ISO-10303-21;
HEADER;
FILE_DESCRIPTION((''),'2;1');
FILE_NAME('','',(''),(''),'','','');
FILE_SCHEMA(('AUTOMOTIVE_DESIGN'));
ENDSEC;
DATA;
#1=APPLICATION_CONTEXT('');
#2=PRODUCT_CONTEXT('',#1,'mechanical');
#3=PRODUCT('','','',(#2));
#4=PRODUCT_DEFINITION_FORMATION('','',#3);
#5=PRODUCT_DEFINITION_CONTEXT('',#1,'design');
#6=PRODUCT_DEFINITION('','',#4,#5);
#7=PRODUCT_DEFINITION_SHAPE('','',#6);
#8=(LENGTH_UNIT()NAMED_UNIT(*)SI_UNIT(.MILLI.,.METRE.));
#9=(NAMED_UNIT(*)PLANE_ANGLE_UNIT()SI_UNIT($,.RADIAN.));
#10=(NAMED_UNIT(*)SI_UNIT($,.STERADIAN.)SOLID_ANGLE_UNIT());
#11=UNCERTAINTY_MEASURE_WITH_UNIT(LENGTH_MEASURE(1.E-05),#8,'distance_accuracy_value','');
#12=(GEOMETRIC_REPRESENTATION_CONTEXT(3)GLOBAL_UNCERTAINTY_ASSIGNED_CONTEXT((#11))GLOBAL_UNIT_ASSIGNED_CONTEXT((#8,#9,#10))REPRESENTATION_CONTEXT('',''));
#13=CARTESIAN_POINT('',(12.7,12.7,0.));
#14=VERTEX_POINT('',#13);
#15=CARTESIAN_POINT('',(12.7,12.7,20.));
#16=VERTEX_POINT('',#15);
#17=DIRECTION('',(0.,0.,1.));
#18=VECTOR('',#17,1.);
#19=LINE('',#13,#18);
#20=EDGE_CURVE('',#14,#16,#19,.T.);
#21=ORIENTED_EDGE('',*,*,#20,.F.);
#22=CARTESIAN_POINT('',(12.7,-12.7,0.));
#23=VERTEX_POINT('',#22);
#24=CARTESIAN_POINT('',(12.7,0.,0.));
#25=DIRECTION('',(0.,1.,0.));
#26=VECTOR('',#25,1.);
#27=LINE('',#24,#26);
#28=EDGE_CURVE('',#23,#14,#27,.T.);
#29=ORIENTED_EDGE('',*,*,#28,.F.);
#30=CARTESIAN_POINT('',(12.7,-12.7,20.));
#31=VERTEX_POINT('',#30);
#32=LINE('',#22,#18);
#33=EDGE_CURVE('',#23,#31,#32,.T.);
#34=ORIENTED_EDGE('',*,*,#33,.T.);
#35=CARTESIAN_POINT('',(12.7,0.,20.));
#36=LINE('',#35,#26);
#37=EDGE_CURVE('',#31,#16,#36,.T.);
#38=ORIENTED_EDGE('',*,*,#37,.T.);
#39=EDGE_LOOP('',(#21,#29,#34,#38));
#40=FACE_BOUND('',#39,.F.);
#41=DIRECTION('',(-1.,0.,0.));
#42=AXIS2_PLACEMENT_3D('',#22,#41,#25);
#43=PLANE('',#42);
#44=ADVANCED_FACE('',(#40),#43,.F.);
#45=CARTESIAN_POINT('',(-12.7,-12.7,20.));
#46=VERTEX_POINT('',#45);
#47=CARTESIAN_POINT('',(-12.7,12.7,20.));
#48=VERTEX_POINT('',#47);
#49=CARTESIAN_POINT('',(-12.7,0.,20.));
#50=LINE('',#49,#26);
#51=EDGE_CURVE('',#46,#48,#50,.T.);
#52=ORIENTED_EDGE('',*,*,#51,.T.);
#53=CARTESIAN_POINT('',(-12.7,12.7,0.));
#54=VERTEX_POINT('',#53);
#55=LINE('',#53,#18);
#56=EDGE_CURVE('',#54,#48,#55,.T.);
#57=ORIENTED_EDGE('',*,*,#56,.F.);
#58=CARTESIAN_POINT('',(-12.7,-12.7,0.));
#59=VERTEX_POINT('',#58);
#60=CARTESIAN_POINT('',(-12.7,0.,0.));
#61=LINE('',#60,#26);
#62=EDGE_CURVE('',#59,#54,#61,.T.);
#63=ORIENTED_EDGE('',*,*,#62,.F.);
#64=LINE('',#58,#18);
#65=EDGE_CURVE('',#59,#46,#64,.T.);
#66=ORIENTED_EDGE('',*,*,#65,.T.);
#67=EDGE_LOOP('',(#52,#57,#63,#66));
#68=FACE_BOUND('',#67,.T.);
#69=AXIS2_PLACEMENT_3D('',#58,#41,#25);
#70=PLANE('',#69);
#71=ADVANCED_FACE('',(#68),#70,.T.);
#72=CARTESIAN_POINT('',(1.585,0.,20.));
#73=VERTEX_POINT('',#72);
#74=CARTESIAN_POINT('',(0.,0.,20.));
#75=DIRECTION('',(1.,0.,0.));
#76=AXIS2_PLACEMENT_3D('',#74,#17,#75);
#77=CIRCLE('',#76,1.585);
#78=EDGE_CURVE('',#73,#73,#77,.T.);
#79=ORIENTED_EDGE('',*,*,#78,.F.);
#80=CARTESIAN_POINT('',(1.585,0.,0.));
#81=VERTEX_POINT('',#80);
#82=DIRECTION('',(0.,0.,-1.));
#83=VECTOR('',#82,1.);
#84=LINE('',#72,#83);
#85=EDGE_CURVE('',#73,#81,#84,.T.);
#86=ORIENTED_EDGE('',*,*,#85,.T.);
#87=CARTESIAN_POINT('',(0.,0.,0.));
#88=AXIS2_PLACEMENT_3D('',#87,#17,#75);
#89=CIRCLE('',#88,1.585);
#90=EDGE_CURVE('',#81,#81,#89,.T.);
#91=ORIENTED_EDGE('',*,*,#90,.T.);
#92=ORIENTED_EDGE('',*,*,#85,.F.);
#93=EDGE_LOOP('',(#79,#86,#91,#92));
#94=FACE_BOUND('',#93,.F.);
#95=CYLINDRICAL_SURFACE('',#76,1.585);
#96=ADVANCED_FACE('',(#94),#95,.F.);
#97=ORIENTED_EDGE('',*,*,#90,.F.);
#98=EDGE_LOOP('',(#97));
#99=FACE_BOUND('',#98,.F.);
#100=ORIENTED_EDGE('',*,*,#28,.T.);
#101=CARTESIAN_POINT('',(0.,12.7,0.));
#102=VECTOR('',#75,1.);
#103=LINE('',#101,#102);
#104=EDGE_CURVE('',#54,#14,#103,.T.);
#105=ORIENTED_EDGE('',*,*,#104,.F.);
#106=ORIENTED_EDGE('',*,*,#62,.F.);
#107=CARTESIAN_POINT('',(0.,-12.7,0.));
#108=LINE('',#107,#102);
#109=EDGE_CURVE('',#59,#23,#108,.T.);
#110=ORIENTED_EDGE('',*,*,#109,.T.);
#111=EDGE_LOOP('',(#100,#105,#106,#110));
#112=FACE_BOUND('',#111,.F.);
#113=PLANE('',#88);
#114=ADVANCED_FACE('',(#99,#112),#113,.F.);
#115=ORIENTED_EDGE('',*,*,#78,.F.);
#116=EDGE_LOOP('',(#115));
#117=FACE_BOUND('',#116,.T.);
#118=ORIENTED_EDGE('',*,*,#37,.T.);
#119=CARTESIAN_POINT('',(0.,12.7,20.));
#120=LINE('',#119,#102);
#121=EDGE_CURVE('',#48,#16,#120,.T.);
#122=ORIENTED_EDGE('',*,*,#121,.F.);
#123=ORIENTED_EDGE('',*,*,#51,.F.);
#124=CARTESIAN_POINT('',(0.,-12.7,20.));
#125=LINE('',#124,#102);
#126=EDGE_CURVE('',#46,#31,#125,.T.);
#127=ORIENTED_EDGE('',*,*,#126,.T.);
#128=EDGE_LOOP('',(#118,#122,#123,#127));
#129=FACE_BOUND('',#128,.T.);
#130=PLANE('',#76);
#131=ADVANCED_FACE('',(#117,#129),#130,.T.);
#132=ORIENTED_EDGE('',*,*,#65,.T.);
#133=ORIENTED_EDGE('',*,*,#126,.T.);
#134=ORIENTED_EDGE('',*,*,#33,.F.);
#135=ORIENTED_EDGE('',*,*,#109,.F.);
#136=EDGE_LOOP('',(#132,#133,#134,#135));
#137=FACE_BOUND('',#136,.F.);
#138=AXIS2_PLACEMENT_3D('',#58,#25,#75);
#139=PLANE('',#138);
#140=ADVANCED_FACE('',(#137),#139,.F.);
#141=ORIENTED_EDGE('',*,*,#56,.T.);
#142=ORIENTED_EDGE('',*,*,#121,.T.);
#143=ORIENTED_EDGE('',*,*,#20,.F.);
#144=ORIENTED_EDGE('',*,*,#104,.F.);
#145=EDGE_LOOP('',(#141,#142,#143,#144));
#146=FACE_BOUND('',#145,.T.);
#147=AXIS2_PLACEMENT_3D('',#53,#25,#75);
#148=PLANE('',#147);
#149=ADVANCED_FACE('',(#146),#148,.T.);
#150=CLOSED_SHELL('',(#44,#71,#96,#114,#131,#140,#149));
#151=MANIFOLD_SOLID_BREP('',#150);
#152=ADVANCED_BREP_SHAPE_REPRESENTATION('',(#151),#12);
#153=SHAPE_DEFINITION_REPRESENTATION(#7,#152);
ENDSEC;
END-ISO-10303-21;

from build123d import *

# Parameters (mm, degrees)
SKETCH_W    = 25.4
SKETCH_H    = 25.4
PAD_DEPTH   = 20
SKETCH001_R = 1.585
HOLE_DEPTH  = 20.001


with BuildPart() as part:
    # Sketch → Pad (new body)
    with BuildSketch(Plane.XY):
        Rectangle(SKETCH_W, SKETCH_H)
    extrude(amount=PAD_DEPTH)

    # Sketch001 (on Face6 of Pad) → Hole (cut, through all)
    with BuildSketch(Plane.XY.offset(20)):
        Circle(SKETCH001_R)
    extrude(amount=-HOLE_DEPTH, mode=Mode.SUBTRACT)


solid = part.part
